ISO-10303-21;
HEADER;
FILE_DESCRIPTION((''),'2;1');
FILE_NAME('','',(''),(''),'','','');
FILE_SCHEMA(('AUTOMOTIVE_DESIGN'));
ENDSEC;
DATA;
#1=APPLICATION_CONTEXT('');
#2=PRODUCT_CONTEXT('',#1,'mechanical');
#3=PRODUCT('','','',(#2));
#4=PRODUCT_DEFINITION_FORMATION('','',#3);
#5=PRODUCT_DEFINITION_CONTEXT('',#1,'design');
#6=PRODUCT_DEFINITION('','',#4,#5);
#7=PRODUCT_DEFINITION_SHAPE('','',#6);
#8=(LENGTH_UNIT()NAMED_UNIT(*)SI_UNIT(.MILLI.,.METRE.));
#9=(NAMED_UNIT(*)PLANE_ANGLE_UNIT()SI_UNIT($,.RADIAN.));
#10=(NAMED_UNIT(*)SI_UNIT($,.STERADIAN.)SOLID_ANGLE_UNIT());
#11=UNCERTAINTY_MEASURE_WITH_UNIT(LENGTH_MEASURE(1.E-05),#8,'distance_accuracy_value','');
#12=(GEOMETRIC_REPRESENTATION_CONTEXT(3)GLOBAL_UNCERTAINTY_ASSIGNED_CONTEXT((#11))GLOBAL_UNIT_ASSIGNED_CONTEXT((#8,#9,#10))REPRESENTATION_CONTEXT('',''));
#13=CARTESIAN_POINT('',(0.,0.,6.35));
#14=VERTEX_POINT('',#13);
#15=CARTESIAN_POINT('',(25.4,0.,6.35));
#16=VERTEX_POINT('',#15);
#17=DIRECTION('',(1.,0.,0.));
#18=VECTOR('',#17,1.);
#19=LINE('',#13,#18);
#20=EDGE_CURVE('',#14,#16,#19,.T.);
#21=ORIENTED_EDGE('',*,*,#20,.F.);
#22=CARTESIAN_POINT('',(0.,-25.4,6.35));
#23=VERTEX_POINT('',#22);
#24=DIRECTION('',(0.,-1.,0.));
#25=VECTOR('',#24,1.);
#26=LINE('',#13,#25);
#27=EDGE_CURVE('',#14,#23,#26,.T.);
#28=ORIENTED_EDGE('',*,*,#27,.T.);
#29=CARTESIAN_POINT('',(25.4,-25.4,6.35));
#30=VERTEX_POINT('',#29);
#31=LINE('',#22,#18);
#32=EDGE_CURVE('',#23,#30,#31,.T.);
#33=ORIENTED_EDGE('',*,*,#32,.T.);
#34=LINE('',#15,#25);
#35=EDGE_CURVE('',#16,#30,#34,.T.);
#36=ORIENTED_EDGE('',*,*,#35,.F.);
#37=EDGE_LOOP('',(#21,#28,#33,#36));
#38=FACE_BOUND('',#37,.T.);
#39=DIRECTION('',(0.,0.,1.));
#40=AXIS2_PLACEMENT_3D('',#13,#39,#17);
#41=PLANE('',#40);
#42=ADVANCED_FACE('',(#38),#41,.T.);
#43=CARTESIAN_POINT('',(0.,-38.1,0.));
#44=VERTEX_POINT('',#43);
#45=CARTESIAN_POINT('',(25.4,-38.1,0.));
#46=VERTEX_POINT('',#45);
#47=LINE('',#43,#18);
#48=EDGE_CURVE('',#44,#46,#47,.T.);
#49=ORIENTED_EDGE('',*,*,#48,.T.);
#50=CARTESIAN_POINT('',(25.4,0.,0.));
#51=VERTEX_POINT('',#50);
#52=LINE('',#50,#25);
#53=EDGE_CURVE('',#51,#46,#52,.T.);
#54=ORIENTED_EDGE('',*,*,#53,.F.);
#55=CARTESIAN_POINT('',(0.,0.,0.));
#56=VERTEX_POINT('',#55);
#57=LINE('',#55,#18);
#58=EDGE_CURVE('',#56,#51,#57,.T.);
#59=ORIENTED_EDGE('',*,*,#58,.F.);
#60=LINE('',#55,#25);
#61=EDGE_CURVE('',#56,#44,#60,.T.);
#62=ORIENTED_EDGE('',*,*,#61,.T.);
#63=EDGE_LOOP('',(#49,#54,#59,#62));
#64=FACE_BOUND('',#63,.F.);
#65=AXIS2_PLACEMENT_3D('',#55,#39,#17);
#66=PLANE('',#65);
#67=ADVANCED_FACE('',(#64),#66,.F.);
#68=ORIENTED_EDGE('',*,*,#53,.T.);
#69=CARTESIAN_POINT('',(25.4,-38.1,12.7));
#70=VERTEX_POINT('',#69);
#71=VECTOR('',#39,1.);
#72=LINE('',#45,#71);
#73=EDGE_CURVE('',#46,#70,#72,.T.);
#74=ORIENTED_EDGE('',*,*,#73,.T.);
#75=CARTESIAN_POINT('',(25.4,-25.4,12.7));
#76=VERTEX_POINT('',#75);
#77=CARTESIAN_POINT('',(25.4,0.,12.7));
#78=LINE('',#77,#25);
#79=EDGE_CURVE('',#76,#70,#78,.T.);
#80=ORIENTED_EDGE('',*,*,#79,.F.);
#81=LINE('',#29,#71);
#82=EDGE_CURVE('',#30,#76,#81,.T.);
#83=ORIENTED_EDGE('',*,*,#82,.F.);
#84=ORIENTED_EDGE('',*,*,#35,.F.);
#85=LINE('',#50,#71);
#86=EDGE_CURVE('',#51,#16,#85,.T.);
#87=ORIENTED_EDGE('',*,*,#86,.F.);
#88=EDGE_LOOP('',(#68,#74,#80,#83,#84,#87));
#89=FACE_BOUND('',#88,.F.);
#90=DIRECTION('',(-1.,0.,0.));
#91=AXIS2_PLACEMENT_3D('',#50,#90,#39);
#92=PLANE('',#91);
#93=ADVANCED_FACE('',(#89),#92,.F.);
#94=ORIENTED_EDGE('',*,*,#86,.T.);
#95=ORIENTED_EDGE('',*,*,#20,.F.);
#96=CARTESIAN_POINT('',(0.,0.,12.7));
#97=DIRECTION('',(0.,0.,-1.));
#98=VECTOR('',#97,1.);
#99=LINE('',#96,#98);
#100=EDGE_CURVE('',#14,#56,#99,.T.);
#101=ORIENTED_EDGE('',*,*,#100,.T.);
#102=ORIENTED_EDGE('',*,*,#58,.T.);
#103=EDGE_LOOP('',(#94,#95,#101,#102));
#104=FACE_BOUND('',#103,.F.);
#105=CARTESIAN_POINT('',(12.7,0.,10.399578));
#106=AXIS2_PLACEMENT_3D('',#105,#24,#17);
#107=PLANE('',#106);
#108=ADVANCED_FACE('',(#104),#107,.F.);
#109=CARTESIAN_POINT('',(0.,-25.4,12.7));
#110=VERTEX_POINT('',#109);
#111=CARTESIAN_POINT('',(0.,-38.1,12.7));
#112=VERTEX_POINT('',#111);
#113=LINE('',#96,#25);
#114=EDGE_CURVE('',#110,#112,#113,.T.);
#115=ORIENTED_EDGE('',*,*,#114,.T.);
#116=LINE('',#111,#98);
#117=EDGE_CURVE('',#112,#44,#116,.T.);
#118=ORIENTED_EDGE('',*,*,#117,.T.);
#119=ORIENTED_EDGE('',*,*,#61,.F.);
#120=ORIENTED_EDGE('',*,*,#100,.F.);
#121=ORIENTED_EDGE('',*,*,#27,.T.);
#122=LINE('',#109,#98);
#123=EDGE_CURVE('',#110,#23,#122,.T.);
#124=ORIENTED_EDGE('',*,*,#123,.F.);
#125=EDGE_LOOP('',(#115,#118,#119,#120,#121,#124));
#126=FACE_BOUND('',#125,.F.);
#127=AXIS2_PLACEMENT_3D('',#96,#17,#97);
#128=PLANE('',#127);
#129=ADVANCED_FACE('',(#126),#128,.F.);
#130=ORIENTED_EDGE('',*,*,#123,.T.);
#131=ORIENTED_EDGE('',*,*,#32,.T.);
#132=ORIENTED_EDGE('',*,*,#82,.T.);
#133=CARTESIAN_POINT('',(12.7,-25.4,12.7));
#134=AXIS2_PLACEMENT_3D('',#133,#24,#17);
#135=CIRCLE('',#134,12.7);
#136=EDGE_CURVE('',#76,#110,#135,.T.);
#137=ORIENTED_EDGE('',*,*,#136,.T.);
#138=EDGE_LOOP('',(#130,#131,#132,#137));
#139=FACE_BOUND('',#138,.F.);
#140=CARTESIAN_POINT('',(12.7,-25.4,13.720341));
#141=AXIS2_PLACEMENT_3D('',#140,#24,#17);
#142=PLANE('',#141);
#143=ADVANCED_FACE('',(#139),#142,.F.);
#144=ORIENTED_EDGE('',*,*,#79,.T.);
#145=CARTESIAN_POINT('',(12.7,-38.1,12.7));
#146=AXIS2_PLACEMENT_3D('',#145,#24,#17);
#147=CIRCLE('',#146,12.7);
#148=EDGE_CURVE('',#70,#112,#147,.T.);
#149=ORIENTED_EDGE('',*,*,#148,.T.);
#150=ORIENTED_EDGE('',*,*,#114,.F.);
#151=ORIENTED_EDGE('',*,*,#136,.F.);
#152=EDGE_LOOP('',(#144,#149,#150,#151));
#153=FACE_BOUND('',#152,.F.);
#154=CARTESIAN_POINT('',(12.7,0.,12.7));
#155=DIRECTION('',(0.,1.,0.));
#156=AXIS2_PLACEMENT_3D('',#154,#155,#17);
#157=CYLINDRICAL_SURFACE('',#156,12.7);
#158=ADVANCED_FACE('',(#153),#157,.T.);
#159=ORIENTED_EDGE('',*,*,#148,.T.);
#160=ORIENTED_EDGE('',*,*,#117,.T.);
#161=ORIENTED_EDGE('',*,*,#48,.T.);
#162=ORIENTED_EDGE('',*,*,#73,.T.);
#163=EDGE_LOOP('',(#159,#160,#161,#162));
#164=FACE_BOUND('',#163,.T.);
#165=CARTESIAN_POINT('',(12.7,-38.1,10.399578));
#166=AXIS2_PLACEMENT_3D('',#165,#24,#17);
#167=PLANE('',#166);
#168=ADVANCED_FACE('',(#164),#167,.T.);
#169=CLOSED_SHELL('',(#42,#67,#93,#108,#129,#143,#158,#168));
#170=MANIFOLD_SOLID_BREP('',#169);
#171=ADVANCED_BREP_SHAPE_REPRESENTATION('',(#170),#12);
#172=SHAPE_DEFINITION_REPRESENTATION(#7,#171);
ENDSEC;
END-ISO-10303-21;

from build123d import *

# Parameters (mm, degrees)
F1_DEPTH = 38.1
F3_DEPTH = 25.4


with BuildPart() as f1:
    # F0 (on Front) → F1 (new body)
    with BuildSketch(Plane.XZ):
        with BuildLine():
            Line((0, 12.7), (0, 0))
            Line((0, 0), (25.4, 0))
            Line((25.4, 0), (25.4, 12.7))
            ThreePointArc((25.4, 12.7), (12.7, 25.4), (0, 12.7))
        make_face()
    extrude(amount=F1_DEPTH)

    # F2 (on Front) → F3 (cut)
    with BuildSketch(Plane.XZ):
        with BuildLine():
            Line((0, 12.7), (0, 6.35))
            Line((0, 6.35), (25.4, 6.35))
            Line((25.4, 6.35), (25.4, 12.7))
            ThreePointArc((25.4, 12.7), (12.7, 25.4), (0, 12.7))
        make_face()
    extrude(amount=F3_DEPTH, mode=Mode.SUBTRACT)


solid = f1.part
